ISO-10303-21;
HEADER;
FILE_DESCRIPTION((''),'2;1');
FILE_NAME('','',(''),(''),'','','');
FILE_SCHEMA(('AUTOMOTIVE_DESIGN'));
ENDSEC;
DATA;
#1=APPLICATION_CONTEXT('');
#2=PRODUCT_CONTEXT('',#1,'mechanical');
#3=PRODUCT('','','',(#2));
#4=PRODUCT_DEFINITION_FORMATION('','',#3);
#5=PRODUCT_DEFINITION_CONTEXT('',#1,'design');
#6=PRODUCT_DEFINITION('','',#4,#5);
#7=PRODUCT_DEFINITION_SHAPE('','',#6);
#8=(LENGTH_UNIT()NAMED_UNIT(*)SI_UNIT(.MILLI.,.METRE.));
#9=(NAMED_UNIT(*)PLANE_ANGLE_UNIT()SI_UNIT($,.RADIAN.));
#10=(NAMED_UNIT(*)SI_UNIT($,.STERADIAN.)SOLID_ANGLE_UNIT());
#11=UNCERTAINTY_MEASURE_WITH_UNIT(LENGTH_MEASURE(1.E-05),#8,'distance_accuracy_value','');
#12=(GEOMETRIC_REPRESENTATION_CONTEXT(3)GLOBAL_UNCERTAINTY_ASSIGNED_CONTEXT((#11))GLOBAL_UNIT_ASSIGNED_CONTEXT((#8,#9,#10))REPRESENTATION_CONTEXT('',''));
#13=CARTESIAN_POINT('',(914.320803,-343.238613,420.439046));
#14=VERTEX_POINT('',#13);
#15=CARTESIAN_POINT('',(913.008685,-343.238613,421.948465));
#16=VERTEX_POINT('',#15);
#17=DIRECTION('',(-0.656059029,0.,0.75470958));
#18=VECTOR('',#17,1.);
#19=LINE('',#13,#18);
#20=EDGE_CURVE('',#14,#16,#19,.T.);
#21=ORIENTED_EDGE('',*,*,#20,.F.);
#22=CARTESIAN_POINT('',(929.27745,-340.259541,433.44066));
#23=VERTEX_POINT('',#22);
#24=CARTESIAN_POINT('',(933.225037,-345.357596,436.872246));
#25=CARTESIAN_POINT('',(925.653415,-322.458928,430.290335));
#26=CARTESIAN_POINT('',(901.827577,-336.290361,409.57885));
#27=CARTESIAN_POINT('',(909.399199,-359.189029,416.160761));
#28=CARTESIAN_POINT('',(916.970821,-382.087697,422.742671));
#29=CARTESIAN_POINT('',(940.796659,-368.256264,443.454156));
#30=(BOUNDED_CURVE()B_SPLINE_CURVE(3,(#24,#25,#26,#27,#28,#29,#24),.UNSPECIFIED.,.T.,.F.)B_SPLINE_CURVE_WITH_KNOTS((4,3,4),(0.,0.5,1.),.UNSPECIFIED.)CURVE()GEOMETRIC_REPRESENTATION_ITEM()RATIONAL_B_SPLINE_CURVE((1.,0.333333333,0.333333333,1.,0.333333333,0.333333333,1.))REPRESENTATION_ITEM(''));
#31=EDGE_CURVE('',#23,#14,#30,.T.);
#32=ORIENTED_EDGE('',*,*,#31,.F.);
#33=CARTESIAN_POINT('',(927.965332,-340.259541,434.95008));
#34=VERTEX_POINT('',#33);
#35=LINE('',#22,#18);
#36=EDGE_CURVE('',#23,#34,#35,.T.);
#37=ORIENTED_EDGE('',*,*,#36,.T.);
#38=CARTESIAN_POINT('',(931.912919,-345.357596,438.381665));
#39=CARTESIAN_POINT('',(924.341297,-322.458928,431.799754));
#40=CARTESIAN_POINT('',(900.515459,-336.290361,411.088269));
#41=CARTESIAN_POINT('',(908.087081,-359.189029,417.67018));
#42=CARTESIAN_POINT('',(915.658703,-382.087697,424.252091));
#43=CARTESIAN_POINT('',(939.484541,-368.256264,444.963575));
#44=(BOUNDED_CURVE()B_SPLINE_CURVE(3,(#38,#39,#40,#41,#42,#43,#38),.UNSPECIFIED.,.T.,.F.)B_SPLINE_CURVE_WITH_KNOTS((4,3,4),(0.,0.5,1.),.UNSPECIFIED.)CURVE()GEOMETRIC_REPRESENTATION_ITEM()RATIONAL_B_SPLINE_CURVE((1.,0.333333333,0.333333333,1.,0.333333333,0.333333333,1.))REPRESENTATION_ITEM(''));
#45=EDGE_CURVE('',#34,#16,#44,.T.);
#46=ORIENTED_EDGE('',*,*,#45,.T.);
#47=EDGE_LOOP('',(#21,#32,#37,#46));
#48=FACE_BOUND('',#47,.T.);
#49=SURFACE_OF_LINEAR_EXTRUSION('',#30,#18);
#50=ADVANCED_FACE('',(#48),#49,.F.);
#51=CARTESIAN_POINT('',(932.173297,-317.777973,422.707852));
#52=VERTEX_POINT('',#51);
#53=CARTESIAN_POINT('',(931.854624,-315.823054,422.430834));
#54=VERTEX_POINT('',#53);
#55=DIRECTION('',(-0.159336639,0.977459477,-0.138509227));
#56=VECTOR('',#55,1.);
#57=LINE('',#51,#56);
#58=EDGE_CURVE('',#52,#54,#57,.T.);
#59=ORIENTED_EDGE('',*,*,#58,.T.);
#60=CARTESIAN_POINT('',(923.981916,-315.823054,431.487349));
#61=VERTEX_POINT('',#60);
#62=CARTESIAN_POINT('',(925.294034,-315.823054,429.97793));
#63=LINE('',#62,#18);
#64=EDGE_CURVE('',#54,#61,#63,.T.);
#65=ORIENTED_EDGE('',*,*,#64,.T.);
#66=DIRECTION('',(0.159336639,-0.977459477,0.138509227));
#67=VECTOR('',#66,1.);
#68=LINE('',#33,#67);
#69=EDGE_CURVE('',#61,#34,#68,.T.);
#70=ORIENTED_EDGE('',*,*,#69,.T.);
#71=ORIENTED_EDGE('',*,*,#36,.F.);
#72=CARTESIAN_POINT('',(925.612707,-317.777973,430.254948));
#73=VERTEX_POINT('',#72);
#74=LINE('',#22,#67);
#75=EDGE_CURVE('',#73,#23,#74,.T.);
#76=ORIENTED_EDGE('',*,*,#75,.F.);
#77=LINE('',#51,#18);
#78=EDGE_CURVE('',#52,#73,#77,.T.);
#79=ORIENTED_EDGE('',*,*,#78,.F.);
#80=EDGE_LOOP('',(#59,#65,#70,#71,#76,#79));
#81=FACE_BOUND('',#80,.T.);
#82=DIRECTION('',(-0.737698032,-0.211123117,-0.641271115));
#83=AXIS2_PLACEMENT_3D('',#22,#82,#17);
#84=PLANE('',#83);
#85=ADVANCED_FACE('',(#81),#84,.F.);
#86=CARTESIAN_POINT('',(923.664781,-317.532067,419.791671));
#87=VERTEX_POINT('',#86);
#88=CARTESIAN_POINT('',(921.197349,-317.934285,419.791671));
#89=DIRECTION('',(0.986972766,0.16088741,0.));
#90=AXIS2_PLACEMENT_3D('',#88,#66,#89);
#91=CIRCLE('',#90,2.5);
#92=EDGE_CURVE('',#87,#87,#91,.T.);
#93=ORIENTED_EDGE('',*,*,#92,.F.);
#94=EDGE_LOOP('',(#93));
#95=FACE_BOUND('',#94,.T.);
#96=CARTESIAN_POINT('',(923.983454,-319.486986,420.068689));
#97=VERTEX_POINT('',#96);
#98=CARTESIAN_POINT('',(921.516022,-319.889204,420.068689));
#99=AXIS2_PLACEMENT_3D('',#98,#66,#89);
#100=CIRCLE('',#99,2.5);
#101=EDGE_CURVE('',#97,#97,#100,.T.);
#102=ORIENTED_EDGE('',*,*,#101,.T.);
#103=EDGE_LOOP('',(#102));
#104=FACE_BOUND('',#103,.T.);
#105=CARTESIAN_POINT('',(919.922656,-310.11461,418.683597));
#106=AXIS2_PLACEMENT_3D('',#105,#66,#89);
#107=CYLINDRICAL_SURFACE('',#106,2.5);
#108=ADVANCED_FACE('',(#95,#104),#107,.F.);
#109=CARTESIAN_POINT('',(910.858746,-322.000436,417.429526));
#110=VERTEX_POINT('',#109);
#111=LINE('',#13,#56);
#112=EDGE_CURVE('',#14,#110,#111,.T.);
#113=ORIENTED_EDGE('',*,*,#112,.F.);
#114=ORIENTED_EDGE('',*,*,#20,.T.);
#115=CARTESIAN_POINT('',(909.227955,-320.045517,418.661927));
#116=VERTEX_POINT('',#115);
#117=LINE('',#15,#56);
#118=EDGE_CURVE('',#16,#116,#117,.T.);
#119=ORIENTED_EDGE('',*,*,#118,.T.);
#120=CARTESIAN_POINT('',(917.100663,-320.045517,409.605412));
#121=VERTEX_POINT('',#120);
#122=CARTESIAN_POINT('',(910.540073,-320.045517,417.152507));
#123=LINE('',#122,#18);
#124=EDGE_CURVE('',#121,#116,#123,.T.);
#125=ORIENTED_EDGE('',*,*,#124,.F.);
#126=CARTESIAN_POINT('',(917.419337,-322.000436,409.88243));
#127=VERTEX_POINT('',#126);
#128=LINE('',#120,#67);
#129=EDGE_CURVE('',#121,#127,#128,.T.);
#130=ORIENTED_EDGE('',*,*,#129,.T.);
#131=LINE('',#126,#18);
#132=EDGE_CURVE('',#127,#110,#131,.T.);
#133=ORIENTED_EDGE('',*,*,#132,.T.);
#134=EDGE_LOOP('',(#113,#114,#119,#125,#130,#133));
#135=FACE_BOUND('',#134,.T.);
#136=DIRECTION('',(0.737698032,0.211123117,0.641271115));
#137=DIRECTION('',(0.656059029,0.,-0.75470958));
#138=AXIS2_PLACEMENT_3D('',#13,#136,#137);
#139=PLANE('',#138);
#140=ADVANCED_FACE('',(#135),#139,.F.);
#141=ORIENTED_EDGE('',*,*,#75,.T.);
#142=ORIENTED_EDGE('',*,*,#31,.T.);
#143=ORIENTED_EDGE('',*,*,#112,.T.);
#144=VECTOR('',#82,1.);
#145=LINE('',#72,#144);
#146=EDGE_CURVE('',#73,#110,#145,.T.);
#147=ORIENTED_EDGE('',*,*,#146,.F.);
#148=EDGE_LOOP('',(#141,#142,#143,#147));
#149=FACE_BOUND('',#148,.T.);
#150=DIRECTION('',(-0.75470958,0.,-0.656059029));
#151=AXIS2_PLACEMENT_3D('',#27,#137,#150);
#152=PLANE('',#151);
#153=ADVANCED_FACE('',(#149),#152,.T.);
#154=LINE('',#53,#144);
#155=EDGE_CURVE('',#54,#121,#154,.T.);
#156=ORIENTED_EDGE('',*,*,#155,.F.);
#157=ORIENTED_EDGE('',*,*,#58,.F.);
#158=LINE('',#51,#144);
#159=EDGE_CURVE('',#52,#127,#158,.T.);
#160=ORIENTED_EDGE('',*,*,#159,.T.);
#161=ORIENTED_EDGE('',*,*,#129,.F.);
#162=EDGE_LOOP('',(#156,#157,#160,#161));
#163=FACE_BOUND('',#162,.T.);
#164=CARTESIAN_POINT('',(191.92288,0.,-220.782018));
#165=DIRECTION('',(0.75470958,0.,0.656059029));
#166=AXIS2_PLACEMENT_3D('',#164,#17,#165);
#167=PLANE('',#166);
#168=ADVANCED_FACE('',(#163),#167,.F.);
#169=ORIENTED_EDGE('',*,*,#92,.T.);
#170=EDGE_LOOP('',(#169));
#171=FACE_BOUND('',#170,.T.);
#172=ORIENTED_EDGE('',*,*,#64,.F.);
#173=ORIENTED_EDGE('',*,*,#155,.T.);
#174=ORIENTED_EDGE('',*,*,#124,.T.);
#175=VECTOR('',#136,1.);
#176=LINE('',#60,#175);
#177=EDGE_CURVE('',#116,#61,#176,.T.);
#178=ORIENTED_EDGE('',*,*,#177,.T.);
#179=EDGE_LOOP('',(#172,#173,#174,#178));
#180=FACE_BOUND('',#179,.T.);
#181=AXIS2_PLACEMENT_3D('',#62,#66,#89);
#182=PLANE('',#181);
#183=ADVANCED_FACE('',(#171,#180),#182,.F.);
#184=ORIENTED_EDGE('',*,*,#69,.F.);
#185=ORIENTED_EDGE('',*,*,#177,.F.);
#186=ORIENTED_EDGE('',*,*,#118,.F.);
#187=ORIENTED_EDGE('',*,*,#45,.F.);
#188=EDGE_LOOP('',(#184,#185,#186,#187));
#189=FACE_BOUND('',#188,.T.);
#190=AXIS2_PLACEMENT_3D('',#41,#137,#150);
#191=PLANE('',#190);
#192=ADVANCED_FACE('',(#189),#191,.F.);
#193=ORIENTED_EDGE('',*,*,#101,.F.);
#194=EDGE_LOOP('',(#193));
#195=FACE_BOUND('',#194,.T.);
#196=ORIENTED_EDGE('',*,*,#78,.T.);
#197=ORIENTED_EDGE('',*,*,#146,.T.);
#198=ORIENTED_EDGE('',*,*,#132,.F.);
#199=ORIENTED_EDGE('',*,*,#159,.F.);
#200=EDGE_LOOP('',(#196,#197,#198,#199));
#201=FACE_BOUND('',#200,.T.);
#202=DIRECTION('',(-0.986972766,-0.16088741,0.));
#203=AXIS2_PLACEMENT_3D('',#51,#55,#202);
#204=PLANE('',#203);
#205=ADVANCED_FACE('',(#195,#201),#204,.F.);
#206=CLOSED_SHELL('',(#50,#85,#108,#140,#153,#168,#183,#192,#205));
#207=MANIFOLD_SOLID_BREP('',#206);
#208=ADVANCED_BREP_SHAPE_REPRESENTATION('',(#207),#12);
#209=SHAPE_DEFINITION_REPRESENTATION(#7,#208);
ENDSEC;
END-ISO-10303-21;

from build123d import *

# Parameters (mm, degrees)
DODANIE_WYCI_GNI_CIE1_DEPTH       = 2
WYCI_GNI_CIE_CIENKA_CIANKA1_DEPTH = 10
SZKIC3_R                          = 2.5
WYTNIJ_WYCI_GNI_CIE1_DEPTH        = 10


with BuildPart() as part:
    # Szkic1 → Dodanie-wyciągnięcie1 (new body)
    with BuildSketch(Plane(origin=(184.050171811, 0, -211.725502995), x_dir=(-0.75470958, 0, -0.656059029), z_dir=(0.656059029, 0, -0.75470958))):
        with BuildLine():
            Line((-985.697252828, -340.259541181), (-980.419174897, -315.823054253))
            Line((-980.419174897, -315.823054253), (-960.869985355, -320.045516598))
            Line((-960.869985355, -320.045516598), (-965.879501286, -343.238613058))
            add(Edge.make_bspline(
                [(-985.697252828, -340.259541181), (-980.093985624, -337.678026431), (-972.488962975, -338.490376385), (-965.879501286, -343.238613058)],
                knots=[0.113652907, 0.113652907, 0.113652907, 0.113652907, 0.285976573, 0.285976573, 0.285976573, 0.285976573], degree=3, weights=[0.648724237, 0.52341314, 0.477289897, 0.510354511]))
        make_face()
    extrude(amount=DODANIE_WYCI_GNI_CIE1_DEPTH)

    # Szkic2 → Wyciągnięcie-cienka ścianka1 (add)
    with BuildSketch(Plane(origin=(185.362289869, 0, -213.234922155), x_dir=(-0.75470958, 0, -0.656059029), z_dir=(0.656059029, 0, -0.75470958))):
        Polygon((-980.419174897, -315.823054253), (-960.869985355, -320.045516598), (-961.292231589, -322.000435553), (-980.841421131, -317.777973208), align=None)
    extrude(amount=WYCI_GNI_CIE_CIENKA_CIANKA1_DEPTH)

    # Szkic3 → Wytnij-wyciągnięcie1 (cut)
    with BuildSketch(Plane(origin=(82.487524873, -506.024310162, 71.705311407), x_dir=(-0.987224309, -0.157760609, 0.022355198), z_dir=(0.159336639, -0.977459477, 0.138509227))):
        with Locations((-849.886383223, -371.032714173)):
            Circle(SZKIC3_R)
    extrude(amount=-WYTNIJ_WYCI_GNI_CIE1_DEPTH, mode=Mode.SUBTRACT)


solid = part.part
